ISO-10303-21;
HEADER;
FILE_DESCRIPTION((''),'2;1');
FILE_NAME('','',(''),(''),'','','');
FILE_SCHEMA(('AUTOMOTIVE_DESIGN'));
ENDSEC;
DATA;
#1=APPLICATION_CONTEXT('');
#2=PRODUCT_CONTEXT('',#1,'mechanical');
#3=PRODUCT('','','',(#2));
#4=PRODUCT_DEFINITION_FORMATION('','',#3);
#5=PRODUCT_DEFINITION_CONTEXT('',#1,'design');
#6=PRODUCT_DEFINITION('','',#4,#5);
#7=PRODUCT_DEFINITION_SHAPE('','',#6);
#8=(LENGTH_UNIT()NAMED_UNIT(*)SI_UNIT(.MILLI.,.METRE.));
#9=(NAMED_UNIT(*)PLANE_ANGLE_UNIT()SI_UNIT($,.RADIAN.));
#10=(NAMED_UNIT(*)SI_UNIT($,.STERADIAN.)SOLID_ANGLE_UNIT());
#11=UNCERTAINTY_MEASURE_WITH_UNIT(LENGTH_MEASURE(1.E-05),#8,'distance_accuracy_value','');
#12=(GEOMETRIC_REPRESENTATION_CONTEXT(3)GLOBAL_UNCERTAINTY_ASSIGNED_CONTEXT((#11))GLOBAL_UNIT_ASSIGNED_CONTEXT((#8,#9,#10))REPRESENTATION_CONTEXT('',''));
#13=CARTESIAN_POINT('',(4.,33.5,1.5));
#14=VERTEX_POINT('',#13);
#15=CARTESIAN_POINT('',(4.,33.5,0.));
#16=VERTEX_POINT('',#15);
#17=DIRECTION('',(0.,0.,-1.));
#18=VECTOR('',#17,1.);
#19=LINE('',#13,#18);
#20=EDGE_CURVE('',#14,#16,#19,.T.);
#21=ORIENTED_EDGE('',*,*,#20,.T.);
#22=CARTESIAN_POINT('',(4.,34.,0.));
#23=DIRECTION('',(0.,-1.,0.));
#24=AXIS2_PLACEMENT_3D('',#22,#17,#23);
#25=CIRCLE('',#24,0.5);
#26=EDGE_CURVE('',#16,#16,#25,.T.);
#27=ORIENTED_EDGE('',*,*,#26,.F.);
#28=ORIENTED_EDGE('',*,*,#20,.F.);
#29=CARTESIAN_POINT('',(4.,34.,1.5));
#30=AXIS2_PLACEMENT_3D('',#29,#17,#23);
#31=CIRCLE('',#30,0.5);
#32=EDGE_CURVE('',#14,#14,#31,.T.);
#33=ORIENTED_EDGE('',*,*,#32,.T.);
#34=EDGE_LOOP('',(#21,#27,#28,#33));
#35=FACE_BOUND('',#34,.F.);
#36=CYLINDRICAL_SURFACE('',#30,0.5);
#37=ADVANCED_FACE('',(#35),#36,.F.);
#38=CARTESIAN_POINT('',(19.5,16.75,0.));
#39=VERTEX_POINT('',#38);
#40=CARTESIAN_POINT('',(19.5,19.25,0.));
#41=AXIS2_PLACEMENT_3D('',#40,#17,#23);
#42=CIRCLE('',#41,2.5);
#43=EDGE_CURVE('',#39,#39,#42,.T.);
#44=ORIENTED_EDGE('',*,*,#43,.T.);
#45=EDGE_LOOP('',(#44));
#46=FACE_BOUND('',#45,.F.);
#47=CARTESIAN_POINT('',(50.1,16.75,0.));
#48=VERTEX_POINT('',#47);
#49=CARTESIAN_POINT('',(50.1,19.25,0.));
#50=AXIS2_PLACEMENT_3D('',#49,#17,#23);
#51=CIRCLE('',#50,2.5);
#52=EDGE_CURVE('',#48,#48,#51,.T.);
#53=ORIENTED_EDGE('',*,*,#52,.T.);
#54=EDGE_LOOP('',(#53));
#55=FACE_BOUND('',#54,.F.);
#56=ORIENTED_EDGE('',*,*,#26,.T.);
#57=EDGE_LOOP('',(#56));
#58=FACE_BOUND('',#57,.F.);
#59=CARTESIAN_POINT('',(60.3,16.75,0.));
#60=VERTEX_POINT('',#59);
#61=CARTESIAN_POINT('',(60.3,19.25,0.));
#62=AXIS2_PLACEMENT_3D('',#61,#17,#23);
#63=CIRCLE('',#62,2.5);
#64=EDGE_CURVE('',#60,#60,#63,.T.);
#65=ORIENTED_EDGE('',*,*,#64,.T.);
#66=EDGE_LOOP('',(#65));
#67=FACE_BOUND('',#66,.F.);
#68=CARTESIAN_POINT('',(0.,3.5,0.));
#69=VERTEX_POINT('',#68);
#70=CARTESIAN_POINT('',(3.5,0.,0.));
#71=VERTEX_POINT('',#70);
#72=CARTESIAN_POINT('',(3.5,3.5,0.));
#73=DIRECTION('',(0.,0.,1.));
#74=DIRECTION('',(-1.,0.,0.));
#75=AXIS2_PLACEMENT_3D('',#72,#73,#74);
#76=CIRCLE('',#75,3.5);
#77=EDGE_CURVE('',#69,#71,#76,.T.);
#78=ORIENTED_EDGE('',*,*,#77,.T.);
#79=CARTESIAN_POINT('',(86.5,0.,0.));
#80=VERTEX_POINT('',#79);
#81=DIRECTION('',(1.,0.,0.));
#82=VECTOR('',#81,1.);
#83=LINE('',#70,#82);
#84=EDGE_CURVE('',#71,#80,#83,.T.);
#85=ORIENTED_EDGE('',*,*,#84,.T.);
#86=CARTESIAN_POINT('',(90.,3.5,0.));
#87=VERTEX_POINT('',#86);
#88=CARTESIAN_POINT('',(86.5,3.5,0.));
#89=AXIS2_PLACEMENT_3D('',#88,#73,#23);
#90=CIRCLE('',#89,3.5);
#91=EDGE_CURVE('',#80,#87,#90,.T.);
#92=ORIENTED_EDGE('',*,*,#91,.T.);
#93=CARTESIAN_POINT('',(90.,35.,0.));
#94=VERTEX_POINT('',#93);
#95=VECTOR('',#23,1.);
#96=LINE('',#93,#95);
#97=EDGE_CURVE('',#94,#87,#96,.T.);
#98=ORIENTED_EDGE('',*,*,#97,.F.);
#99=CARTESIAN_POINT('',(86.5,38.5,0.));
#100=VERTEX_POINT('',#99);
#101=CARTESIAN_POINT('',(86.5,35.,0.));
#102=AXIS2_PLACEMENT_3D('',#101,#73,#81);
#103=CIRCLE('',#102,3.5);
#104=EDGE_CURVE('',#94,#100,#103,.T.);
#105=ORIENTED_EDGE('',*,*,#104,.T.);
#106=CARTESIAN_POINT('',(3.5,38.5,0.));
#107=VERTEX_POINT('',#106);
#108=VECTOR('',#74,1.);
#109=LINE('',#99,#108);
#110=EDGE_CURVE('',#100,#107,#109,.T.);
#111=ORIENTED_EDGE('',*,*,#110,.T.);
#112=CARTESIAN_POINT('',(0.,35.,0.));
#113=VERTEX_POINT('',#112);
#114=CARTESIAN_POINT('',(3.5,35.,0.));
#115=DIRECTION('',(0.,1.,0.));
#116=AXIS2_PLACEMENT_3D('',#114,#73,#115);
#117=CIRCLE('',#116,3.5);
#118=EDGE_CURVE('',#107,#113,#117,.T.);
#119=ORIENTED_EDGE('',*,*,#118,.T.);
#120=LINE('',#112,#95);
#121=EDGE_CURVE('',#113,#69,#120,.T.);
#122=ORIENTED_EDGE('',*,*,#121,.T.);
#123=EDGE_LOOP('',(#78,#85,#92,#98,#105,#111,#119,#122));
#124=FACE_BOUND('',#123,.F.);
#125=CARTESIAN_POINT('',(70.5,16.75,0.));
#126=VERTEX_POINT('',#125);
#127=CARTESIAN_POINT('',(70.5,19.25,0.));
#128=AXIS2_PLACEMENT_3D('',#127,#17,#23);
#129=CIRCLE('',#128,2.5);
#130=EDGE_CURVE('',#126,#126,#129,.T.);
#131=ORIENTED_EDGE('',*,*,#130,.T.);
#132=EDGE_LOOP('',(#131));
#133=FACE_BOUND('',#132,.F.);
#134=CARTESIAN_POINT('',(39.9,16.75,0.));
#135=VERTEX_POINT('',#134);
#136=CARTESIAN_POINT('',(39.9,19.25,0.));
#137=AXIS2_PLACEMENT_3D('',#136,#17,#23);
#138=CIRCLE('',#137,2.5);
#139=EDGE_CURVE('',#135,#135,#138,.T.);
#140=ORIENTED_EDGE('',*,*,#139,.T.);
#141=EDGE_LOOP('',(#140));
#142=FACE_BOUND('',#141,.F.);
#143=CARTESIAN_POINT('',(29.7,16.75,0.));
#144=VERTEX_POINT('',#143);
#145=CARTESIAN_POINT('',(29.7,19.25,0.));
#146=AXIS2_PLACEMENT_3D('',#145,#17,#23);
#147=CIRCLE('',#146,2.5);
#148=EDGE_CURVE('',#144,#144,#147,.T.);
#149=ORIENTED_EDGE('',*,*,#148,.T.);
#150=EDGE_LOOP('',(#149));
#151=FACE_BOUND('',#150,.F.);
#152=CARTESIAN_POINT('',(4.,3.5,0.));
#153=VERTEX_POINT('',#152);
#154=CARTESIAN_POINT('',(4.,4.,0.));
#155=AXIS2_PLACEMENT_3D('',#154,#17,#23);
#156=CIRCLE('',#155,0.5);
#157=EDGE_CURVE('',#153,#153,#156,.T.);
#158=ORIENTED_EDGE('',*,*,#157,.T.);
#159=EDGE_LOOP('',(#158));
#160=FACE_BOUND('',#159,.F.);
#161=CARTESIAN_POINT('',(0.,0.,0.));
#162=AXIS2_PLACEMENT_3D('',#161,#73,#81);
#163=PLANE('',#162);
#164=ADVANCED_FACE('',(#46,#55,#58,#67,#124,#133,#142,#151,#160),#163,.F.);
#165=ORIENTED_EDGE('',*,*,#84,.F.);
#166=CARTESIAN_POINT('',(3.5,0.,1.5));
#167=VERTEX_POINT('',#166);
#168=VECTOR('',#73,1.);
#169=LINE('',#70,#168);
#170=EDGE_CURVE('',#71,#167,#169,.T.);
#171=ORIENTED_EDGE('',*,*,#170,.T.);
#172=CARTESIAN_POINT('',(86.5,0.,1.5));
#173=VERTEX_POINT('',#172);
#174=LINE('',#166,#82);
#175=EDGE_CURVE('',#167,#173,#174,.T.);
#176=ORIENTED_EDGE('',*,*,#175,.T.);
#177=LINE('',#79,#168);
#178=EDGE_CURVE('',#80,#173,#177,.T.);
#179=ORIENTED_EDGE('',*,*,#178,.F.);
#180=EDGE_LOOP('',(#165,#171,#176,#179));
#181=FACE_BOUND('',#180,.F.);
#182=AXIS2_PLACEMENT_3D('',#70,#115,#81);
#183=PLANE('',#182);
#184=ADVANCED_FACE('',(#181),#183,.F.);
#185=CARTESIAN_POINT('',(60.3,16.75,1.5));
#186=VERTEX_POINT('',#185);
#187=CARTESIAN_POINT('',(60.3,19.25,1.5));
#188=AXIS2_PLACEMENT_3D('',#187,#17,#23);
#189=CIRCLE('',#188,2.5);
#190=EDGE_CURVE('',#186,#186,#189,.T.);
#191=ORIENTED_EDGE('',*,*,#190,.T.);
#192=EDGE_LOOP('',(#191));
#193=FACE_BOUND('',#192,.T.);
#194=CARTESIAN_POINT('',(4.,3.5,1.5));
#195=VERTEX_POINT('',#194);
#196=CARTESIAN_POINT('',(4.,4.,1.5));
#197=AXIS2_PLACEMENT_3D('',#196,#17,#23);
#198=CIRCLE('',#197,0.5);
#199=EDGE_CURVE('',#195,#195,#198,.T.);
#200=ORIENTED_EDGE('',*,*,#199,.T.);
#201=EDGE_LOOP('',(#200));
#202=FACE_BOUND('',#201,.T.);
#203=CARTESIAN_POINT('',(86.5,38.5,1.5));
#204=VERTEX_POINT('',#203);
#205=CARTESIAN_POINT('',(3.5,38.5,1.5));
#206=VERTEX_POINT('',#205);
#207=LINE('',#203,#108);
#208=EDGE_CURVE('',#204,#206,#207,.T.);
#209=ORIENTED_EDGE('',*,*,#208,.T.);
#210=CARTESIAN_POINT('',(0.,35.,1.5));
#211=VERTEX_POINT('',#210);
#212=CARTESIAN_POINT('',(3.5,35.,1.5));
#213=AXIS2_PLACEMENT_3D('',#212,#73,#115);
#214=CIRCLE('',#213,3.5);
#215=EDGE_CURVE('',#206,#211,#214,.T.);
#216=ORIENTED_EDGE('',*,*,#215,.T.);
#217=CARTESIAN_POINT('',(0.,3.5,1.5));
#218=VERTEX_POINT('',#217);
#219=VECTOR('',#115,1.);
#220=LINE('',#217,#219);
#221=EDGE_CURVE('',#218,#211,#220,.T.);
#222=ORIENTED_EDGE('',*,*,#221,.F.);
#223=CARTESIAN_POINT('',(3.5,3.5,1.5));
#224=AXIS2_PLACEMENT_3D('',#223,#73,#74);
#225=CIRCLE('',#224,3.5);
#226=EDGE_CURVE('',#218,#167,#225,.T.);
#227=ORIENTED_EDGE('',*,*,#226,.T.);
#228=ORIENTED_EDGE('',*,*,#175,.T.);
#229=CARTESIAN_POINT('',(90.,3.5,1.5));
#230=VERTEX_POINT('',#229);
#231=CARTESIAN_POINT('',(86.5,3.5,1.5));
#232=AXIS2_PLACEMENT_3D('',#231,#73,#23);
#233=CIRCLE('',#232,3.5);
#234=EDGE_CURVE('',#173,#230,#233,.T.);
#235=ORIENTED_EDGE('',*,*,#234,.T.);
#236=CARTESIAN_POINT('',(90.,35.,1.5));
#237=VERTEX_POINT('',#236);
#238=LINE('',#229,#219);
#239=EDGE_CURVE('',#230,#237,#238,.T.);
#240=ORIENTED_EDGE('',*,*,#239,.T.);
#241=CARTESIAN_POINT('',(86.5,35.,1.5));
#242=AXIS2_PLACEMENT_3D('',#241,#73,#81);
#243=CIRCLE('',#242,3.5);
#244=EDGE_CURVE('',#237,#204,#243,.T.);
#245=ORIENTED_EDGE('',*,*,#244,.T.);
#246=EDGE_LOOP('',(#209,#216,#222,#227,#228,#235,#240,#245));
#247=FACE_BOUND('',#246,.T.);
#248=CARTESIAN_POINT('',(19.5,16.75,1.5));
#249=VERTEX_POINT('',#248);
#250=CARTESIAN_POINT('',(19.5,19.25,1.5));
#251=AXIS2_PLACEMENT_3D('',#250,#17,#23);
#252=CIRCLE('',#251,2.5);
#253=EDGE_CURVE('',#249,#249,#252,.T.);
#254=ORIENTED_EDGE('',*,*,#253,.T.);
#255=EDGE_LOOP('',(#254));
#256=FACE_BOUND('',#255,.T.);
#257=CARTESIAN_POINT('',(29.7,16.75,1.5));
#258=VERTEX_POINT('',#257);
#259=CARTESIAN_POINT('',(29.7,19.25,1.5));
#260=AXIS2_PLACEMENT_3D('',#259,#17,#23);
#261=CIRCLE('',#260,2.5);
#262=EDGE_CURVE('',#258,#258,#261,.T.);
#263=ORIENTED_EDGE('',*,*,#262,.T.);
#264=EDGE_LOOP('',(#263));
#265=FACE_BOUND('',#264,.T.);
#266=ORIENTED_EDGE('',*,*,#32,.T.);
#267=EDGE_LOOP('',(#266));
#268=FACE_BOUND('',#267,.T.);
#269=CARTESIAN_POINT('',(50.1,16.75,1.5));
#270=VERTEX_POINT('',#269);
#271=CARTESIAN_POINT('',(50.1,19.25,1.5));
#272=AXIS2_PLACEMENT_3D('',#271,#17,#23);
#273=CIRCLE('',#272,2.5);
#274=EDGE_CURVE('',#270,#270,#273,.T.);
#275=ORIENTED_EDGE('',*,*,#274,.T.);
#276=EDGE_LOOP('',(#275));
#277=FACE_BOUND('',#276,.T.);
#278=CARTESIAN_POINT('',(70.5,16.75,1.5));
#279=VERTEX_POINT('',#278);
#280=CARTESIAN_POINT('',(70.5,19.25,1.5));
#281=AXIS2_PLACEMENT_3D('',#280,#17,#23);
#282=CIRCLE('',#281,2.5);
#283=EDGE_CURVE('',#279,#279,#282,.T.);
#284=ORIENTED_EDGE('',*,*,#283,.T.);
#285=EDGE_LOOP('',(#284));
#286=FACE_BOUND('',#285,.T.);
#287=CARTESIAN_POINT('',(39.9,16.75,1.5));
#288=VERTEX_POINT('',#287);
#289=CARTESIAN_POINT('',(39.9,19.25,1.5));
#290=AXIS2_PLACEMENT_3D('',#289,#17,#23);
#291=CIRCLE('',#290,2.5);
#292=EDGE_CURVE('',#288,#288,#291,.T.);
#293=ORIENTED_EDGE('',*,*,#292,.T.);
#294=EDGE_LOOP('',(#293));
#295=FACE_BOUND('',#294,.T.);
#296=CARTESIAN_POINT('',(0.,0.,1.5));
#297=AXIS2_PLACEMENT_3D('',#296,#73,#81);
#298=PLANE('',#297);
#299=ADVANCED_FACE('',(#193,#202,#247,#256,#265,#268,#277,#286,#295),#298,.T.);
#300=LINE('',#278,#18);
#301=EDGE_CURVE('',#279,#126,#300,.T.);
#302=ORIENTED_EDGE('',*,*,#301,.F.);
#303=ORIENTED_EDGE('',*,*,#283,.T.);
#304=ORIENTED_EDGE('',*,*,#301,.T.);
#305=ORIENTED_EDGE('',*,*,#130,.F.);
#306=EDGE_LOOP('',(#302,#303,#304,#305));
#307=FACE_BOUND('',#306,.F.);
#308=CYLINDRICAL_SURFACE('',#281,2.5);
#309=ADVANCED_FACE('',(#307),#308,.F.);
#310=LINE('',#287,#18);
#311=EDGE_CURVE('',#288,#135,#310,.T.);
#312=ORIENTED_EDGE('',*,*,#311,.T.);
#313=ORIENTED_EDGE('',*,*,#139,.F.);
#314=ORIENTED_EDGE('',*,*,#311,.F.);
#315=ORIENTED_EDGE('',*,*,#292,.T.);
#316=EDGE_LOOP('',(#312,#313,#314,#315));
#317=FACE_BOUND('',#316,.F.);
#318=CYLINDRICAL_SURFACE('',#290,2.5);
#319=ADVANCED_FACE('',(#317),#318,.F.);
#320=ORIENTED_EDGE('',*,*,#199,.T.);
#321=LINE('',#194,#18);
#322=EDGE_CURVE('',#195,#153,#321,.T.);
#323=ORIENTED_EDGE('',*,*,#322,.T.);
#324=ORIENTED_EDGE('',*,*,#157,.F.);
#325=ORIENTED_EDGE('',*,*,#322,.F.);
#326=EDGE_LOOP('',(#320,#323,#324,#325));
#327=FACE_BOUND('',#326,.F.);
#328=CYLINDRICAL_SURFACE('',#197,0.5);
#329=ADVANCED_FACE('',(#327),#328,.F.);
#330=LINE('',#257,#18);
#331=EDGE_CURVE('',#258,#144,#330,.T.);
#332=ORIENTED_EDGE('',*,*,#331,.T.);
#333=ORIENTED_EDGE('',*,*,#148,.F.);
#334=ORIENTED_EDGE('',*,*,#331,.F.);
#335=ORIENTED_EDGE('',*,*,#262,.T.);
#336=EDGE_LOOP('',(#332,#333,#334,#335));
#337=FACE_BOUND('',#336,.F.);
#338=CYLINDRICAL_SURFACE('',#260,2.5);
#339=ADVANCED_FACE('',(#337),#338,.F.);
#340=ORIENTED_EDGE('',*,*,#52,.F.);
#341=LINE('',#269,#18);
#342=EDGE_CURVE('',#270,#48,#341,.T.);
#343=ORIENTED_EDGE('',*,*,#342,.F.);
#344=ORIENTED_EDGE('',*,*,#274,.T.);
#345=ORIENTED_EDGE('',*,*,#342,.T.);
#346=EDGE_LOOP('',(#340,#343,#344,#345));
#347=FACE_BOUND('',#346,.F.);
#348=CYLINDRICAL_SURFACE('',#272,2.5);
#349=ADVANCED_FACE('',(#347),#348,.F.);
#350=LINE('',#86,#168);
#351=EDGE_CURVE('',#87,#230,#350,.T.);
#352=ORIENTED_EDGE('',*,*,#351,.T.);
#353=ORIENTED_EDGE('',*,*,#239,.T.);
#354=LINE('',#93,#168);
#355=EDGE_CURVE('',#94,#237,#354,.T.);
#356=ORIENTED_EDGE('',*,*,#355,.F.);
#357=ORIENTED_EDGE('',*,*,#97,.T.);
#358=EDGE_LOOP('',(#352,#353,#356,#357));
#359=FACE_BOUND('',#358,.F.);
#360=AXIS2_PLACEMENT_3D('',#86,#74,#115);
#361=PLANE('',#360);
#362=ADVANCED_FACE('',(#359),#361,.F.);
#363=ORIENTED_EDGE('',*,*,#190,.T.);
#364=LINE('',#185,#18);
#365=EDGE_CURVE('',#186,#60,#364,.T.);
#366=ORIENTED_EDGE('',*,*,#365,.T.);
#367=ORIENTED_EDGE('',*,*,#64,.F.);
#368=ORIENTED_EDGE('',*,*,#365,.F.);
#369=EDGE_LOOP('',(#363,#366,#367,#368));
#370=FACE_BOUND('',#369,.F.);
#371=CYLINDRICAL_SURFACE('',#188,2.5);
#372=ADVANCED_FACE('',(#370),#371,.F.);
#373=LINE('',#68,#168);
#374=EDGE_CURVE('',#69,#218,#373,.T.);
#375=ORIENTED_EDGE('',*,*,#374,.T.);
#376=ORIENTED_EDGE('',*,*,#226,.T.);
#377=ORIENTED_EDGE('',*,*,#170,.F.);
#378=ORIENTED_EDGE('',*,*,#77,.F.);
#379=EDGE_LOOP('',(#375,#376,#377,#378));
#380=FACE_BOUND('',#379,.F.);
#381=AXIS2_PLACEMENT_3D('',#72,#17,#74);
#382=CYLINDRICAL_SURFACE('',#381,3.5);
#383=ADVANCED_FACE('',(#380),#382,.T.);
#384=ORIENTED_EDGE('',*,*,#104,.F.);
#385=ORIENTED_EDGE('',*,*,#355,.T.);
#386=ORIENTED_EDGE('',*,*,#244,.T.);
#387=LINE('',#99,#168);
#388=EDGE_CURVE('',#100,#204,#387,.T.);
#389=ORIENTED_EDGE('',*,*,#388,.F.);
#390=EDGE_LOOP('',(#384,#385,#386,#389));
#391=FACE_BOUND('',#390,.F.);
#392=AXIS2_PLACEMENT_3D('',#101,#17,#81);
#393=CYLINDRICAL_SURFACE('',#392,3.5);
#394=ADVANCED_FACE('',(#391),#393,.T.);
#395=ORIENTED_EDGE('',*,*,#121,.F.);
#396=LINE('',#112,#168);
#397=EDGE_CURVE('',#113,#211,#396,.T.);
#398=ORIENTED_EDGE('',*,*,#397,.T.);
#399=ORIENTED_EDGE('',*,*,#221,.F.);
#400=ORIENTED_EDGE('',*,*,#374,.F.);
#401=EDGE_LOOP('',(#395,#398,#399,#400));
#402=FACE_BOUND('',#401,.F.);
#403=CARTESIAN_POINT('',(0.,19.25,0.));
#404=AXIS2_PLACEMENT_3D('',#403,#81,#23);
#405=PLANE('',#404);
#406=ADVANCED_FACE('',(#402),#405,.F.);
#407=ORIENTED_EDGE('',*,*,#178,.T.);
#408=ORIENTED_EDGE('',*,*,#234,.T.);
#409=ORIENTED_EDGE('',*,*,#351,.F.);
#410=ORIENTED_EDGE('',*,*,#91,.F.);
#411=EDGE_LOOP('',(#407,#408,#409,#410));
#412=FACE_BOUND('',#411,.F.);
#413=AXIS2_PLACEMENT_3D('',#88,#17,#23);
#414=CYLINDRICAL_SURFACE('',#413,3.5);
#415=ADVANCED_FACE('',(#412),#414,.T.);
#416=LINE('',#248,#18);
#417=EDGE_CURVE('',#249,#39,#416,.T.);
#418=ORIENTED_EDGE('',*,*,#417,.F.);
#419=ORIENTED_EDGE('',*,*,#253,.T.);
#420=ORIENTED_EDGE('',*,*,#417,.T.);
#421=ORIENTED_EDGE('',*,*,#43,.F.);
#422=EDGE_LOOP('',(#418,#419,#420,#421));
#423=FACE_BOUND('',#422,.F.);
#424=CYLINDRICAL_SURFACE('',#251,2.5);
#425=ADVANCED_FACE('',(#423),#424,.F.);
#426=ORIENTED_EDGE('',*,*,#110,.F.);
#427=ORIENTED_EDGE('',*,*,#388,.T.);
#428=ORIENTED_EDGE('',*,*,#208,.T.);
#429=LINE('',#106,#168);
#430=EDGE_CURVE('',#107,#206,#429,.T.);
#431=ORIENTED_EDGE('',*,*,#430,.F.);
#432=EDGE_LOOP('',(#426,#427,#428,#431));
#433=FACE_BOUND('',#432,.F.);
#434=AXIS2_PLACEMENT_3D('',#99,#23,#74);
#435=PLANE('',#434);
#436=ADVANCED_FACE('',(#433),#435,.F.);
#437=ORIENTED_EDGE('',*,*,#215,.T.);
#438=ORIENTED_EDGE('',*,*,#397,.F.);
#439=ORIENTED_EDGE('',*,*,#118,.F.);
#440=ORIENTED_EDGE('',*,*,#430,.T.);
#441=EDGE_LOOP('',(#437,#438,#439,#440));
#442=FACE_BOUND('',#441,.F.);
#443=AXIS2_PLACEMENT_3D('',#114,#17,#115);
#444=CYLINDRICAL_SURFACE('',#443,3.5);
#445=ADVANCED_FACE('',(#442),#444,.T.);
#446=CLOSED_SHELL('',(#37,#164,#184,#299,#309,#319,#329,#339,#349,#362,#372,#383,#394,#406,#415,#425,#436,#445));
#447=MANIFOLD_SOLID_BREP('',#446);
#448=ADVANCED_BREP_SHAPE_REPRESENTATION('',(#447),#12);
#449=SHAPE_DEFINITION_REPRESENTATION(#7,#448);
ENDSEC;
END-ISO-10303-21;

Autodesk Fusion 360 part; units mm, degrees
sketch "スケッチ1" plane through (0, 0, 0) normal (0, 0, 1) x (1, 0, 0)
  line L0 (3.5, 0) -> (86.5, 0)
  line L1 (90, 3.5) -> (90, 35)
  line L2 (86.5, 38.5) -> (3.5, 38.5)
  line L3 (0, 35) -> (0, 3.5)
  line L4 (0, 19.25) -> (90, 19.25)
  arc A0 (3.5, 38.5) -> (0, 35) centre (3.5, 35) ccw
  arc A1 (90, 35) -> (86.5, 38.5) centre (86.5, 35) ccw
  arc A2 (86.5, 0) -> (90, 3.5) centre (86.5, 3.5) ccw
  arc A3 (0, 3.5) -> (3.5, 0) centre (3.5, 3.5) ccw
  point P0 (90, 0)
  point P1 (0, 38.5)
  dimension "d1" = 90
  dimension "d2" = 38.5
  dimension "d3" = 3.5
extrude "押し出し1" add sketch "スケッチ1" along normal blind 1.5
sketch "スケッチ2" plane through (0, 0, 1.5) normal (0, 0, 1) x (-1, 0, 0)
  arc A0 (0, -3.5) -> (-3.5, 0) centre (-3.5, -3.5) ccw
  line L0 (-3.5, 0) -> (-86.5, 0)
  arc A1 (-86.5, 0) -> (-90, -3.5) centre (-86.5, -3.5) ccw
  line L1 (-90, -3.5) -> (-90, -35)
  arc A2 (-90, -35) -> (-86.5, -38.5) centre (-86.5, -35) ccw
  line L2 (-86.5, -38.5) -> (-3.5, -38.5)
  arc A3 (-3.5, -38.5) -> (0, -35) centre (-3.5, -35) ccw
  line L3 (0, -35) -> (0, -3.5)
  line L4 (-45, -38.5) -> (-45, 0)
  line L5 (0, -19.25) -> (-90, -19.25)
  line L6 (-45, -19.25) -> (-50.1, -19.25)
  line L7 (-50.1, -19.25) -> (-60.3, -19.25)
  line L8 (-60.3, -19.25) -> (-70.5, -19.25)
  point P0 (-50.1, -19.25)
  point P1 (-60.3, -19.25)
  point P2 (-70.5, -19.25)
  point P3 (-39.9, -19.25)
  point P4 (-29.7, -19.25)
  point P5 (-19.5, -19.25)
  dimension "d6" = 5.1
  dimension "d7" = 10.2
  dimension "d8" = 10.2
hole "穴1" at (19.5, 19.25, 1.5) at (29.7, 19.25, 1.5) at (39.9, 19.25, 1.5) at (50.1, 19.25, 1.5) at (60.3, 19.25, 1.5) at (70.5, 19.25, 1.5) direction (0, 0, -1) diameter 5 depth 1.5 tip angle 180
sketch "スケッチ3" plane through (0, 0, 1.5) normal (0, 0, 1) x (-1, 0, 0)
  circle A0 centre (-60.3, -19.25) radius 2.5
  circle A1 centre (-39.9, -19.25) radius 2.5
  circle A2 centre (-19.5, -19.25) radius 2.5
  circle A3 centre (-29.7, -19.25) radius 2.5
  circle A4 centre (-50.1, -19.25) radius 2.5
  circle A5 centre (-70.5, -19.25) radius 2.5
  arc A6 (0, -3.5) -> (-3.5, 0) centre (-3.5, -3.5) ccw
  line L0 (-3.5, 0) -> (-86.5, 0)
  arc A7 (-86.5, 0) -> (-90, -3.5) centre (-86.5, -3.5) ccw
  line L1 (-90, -3.5) -> (-90, -35)
  arc A8 (-90, -35) -> (-86.5, -38.5) centre (-86.5, -35) ccw
  line L2 (-86.5, -38.5) -> (-3.5, -38.5)
  arc A9 (-3.5, -38.5) -> (0, -35) centre (-3.5, -35) ccw
  line L3 (0, -35) -> (0, -3.5)
  line L4 (-4, -4) -> (-4, -34)
hole "穴2" at (4, 4, 1.5) at (4, 34, 1.5) direction (0, 0, -1) diameter 1 depth 1.5 tip angle 180
sketch "スケッチ5" plane through (0, 0, 0) normal (0, 0, 1) x (1, 0, 0)
sketch "スケッチ6" plane through (0, 0, 0) normal (0, 0, 1) x (1, 0, 0)
